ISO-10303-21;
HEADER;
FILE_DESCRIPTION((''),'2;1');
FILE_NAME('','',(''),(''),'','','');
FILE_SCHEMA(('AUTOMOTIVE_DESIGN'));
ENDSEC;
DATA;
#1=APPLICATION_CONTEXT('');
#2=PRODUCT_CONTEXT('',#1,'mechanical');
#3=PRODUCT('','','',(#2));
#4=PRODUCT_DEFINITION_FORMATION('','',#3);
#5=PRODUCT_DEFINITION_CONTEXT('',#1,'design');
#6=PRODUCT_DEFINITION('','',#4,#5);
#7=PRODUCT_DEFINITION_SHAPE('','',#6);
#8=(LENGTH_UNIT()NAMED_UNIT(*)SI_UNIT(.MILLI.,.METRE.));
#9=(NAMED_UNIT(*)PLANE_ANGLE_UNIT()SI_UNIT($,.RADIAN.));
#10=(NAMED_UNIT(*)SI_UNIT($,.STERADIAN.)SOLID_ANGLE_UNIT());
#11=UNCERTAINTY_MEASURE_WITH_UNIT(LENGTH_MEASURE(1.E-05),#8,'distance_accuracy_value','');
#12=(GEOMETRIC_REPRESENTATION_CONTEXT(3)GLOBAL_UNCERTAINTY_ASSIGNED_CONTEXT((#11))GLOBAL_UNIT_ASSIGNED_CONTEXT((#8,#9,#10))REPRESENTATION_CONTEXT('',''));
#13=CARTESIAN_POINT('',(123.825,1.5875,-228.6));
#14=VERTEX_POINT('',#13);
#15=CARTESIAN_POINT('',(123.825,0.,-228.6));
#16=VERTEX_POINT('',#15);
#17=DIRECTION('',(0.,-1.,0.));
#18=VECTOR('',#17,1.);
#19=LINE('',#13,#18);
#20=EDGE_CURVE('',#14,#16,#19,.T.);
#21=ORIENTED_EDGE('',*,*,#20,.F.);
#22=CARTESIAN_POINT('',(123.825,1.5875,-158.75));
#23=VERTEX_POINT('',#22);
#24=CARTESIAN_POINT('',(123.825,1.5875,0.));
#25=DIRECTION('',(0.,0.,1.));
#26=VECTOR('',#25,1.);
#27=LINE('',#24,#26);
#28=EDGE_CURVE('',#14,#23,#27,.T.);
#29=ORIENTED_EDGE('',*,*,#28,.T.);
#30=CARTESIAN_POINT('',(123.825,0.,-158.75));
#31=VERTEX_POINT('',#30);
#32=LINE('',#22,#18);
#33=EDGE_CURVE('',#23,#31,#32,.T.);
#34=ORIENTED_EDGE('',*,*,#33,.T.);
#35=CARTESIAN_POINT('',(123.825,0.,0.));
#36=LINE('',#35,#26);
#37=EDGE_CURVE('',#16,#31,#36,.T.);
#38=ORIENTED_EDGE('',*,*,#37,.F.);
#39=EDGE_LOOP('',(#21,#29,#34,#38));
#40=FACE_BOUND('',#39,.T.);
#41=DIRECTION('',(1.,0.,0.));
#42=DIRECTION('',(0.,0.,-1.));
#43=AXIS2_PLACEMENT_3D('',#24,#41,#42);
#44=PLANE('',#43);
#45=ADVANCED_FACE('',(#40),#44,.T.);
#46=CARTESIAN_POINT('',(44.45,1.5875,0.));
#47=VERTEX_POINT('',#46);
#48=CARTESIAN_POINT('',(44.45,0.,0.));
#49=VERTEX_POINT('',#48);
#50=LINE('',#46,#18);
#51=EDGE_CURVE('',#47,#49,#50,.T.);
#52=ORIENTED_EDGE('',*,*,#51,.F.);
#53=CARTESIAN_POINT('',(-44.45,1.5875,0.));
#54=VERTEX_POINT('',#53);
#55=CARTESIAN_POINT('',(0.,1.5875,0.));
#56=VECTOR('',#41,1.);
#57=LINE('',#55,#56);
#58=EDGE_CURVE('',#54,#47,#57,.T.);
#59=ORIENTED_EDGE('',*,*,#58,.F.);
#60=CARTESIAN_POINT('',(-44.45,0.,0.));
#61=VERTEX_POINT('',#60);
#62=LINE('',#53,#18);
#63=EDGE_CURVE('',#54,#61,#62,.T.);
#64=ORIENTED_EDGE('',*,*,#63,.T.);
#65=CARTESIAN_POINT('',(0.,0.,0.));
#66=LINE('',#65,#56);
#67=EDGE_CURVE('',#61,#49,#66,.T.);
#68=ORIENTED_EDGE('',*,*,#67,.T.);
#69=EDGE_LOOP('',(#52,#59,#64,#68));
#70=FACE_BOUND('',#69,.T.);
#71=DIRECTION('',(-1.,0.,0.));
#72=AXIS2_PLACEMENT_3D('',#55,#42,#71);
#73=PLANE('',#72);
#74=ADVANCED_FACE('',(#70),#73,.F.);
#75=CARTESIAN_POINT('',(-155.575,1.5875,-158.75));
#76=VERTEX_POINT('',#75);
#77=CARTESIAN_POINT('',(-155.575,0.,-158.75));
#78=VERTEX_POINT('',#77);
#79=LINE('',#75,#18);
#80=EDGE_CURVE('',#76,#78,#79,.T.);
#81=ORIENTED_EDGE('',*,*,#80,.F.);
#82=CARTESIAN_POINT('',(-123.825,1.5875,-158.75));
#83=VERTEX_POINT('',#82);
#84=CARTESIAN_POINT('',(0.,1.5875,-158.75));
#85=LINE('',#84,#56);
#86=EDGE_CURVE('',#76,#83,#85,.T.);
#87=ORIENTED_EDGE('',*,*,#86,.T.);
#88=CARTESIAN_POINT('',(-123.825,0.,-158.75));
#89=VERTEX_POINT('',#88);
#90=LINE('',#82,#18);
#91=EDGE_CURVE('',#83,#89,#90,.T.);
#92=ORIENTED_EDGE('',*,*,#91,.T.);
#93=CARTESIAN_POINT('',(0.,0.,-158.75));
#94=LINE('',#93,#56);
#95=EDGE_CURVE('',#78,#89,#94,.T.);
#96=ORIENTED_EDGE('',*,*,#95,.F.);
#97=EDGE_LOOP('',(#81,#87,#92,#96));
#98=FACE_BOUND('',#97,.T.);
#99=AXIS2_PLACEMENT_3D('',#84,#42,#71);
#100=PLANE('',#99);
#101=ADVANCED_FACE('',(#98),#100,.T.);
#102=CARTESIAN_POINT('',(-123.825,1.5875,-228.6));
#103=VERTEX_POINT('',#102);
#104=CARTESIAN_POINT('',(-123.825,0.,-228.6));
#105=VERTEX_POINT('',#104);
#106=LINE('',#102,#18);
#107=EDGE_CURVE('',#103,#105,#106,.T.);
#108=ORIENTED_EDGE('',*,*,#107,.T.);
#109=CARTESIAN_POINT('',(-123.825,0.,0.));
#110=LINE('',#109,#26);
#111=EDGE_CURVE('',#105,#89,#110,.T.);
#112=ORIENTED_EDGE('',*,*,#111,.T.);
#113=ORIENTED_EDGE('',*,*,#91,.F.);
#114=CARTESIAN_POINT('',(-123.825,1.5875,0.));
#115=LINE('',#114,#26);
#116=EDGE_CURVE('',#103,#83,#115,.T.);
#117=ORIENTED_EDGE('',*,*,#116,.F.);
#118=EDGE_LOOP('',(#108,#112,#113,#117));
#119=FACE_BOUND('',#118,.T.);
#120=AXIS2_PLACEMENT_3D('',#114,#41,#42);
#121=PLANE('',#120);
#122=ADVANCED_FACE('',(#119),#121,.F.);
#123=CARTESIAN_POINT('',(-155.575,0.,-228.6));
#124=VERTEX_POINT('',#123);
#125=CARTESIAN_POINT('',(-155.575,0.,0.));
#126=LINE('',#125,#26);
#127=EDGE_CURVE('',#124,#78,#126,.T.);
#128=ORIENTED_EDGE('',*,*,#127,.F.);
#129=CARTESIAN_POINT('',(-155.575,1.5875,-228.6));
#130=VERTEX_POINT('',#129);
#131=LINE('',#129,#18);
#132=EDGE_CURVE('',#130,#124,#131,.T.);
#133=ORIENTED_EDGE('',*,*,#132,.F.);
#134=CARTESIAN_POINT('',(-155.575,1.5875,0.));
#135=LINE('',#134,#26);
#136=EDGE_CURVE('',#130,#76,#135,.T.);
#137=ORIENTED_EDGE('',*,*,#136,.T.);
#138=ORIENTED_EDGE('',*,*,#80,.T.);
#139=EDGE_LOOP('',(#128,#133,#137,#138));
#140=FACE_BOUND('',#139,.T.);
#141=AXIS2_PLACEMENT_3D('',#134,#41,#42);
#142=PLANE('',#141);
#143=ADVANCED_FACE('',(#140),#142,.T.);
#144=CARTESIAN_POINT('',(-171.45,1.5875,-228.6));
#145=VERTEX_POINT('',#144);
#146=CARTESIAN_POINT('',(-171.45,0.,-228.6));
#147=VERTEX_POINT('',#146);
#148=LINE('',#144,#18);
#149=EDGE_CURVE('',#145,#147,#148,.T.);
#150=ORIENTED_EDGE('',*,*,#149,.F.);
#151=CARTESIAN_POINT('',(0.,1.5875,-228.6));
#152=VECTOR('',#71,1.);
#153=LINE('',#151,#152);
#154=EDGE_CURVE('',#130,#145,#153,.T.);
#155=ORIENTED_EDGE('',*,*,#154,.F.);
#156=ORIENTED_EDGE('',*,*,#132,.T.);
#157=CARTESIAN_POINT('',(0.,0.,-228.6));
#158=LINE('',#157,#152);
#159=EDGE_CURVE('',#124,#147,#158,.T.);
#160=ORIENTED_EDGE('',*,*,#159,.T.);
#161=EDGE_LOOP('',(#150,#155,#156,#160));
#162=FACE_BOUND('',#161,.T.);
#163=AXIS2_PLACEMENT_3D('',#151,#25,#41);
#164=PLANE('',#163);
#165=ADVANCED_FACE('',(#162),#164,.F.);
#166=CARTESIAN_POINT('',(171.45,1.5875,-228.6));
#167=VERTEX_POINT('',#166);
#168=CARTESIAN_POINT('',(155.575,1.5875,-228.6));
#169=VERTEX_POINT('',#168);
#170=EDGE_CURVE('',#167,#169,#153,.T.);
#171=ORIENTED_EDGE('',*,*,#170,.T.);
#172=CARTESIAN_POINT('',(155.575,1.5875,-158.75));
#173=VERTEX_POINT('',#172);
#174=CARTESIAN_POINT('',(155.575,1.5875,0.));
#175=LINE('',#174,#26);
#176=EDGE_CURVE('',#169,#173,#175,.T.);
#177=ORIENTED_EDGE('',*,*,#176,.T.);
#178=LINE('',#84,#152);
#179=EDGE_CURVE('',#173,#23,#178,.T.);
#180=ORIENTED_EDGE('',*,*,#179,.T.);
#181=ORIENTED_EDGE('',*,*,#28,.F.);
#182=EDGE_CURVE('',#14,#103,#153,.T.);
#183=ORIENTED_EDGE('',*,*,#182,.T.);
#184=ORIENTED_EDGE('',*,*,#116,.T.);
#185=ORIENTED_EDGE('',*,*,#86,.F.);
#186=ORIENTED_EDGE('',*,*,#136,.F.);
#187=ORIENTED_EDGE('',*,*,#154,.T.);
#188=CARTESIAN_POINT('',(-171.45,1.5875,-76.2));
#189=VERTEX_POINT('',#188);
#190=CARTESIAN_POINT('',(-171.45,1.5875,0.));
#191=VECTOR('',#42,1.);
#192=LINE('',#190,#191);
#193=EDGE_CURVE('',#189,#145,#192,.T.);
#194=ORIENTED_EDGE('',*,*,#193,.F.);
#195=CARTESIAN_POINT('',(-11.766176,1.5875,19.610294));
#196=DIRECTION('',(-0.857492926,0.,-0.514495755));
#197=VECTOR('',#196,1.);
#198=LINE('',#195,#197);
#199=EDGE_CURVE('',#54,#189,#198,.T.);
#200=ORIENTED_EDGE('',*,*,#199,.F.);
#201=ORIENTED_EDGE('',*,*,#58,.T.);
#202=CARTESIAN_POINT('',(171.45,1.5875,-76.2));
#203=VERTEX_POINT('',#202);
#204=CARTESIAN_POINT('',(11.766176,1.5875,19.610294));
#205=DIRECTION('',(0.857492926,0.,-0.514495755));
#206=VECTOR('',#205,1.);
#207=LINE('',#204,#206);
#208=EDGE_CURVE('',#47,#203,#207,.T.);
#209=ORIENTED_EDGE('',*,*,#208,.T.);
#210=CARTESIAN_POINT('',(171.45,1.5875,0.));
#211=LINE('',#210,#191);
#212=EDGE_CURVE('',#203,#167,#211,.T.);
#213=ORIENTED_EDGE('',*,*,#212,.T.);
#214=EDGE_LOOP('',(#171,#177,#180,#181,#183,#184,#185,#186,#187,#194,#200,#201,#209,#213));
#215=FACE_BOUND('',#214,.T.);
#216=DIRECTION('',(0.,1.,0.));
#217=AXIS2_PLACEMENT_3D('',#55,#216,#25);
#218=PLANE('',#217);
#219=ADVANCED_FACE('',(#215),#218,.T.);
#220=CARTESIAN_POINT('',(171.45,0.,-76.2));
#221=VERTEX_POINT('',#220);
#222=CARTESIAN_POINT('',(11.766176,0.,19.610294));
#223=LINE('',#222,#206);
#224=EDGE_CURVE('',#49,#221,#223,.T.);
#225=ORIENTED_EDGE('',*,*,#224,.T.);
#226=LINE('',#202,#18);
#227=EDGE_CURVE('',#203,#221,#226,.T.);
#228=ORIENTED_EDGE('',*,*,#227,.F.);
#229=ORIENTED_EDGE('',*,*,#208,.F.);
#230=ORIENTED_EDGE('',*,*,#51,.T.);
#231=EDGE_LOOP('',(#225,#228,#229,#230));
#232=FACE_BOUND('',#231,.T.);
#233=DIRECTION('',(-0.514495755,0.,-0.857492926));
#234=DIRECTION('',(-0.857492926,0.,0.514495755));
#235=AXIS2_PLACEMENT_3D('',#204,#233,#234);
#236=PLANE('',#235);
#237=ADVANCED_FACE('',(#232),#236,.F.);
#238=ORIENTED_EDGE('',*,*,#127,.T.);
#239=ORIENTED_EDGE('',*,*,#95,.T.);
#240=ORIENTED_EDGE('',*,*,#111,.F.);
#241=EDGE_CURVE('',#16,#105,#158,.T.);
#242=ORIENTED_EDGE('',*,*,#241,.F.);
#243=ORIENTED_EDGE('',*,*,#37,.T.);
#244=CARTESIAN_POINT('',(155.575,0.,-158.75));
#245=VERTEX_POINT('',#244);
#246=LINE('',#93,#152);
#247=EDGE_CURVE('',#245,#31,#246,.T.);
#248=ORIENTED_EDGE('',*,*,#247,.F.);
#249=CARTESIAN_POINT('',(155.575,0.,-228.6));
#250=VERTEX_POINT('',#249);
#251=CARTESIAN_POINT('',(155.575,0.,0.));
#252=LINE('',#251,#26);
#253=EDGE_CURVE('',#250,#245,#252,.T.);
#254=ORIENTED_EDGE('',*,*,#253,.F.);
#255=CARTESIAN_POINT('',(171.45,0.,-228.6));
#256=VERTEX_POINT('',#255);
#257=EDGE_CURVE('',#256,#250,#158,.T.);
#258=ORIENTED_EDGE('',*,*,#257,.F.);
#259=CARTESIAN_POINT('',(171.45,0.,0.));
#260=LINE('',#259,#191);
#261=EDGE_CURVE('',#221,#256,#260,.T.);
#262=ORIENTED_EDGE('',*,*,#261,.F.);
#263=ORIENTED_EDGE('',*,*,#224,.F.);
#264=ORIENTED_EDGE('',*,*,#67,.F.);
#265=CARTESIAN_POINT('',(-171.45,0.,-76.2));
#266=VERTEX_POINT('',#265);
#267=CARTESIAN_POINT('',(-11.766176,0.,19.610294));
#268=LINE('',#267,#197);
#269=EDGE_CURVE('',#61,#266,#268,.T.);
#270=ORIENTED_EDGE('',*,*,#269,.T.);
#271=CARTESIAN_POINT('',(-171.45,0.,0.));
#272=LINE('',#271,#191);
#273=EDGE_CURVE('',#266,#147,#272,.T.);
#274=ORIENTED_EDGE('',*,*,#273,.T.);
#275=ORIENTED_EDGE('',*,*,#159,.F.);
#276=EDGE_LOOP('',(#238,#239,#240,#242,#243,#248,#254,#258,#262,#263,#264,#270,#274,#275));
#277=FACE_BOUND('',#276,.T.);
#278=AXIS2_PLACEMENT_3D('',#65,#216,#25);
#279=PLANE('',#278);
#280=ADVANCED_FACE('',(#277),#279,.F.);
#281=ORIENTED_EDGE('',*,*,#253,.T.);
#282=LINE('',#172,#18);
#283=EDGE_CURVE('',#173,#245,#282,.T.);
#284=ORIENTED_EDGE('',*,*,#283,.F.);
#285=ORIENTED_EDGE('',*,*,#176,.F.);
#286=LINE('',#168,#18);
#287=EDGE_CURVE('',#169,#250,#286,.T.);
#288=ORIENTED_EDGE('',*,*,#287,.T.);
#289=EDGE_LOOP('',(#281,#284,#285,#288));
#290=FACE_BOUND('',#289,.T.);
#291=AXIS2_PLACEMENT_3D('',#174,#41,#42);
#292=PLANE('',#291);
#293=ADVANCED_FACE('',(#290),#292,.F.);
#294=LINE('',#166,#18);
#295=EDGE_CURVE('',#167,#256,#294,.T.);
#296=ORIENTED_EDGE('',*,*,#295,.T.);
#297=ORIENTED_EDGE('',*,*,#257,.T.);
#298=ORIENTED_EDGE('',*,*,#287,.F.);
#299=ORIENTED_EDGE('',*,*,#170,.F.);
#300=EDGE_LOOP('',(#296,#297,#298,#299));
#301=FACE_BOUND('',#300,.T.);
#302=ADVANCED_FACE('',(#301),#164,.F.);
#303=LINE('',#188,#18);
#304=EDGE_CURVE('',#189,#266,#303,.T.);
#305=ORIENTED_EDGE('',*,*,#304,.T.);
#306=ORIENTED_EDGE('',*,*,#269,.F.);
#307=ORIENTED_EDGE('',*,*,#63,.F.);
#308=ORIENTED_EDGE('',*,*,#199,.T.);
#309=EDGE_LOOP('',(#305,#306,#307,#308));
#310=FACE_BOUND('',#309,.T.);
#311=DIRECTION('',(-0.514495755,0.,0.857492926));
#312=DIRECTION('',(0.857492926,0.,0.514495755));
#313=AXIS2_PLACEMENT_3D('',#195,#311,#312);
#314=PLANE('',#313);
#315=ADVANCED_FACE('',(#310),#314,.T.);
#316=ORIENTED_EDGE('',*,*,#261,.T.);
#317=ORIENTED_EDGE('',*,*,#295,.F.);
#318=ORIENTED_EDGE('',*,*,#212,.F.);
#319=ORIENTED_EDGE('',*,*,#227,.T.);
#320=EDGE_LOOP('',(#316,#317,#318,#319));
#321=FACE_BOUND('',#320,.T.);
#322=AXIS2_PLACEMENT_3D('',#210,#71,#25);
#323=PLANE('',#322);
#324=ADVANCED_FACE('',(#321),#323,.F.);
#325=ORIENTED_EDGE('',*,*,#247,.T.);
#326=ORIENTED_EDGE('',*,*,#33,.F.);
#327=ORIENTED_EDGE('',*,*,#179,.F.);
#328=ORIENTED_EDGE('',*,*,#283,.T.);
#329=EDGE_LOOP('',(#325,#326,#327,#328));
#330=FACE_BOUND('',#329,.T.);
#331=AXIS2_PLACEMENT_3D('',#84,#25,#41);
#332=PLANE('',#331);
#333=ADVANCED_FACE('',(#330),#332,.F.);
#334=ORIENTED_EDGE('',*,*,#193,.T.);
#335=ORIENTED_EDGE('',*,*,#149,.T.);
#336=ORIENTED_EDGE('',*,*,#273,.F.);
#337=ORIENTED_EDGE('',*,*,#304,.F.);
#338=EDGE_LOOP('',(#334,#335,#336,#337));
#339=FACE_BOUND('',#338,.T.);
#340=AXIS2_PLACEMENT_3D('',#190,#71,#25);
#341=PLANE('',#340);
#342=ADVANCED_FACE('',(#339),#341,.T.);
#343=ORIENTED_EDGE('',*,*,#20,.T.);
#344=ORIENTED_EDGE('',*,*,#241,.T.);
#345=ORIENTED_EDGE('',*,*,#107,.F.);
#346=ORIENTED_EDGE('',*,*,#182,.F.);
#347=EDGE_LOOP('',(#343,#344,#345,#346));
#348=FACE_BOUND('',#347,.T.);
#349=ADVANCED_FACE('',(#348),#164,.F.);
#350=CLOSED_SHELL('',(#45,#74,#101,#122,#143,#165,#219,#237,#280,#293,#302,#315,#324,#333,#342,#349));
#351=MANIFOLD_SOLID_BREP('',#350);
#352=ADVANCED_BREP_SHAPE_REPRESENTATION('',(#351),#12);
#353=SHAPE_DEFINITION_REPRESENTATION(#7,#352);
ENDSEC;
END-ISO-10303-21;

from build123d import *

# Parameters (mm, degrees)
BOSS_EXTRUDE2_DEPTH = 1.5875


with BuildPart() as part:
    # Sketch1 → Boss-Extrude2 (new body)
    with BuildSketch(Plane(origin=(0, 0, 0), x_dir=(1, 0, 0), z_dir=(0, 1, 0))):
        Polygon((-171.45, 76.2), (-44.45, 0), (0, 0), (0, 228.6), (-123.825, 228.6), (-123.825, 158.75), (-155.575, 158.75), (-155.575, 228.6), (-171.45, 228.6), align=None)
        Polygon((0, 228.6), (0, 0), (44.45, 0), (171.45, 76.2), (171.45, 228.6), (155.575, 228.6), (155.575, 158.75), (123.825, 158.75), (123.825, 228.6), align=None)
    extrude(amount=BOSS_EXTRUDE2_DEPTH)


solid = part.part
